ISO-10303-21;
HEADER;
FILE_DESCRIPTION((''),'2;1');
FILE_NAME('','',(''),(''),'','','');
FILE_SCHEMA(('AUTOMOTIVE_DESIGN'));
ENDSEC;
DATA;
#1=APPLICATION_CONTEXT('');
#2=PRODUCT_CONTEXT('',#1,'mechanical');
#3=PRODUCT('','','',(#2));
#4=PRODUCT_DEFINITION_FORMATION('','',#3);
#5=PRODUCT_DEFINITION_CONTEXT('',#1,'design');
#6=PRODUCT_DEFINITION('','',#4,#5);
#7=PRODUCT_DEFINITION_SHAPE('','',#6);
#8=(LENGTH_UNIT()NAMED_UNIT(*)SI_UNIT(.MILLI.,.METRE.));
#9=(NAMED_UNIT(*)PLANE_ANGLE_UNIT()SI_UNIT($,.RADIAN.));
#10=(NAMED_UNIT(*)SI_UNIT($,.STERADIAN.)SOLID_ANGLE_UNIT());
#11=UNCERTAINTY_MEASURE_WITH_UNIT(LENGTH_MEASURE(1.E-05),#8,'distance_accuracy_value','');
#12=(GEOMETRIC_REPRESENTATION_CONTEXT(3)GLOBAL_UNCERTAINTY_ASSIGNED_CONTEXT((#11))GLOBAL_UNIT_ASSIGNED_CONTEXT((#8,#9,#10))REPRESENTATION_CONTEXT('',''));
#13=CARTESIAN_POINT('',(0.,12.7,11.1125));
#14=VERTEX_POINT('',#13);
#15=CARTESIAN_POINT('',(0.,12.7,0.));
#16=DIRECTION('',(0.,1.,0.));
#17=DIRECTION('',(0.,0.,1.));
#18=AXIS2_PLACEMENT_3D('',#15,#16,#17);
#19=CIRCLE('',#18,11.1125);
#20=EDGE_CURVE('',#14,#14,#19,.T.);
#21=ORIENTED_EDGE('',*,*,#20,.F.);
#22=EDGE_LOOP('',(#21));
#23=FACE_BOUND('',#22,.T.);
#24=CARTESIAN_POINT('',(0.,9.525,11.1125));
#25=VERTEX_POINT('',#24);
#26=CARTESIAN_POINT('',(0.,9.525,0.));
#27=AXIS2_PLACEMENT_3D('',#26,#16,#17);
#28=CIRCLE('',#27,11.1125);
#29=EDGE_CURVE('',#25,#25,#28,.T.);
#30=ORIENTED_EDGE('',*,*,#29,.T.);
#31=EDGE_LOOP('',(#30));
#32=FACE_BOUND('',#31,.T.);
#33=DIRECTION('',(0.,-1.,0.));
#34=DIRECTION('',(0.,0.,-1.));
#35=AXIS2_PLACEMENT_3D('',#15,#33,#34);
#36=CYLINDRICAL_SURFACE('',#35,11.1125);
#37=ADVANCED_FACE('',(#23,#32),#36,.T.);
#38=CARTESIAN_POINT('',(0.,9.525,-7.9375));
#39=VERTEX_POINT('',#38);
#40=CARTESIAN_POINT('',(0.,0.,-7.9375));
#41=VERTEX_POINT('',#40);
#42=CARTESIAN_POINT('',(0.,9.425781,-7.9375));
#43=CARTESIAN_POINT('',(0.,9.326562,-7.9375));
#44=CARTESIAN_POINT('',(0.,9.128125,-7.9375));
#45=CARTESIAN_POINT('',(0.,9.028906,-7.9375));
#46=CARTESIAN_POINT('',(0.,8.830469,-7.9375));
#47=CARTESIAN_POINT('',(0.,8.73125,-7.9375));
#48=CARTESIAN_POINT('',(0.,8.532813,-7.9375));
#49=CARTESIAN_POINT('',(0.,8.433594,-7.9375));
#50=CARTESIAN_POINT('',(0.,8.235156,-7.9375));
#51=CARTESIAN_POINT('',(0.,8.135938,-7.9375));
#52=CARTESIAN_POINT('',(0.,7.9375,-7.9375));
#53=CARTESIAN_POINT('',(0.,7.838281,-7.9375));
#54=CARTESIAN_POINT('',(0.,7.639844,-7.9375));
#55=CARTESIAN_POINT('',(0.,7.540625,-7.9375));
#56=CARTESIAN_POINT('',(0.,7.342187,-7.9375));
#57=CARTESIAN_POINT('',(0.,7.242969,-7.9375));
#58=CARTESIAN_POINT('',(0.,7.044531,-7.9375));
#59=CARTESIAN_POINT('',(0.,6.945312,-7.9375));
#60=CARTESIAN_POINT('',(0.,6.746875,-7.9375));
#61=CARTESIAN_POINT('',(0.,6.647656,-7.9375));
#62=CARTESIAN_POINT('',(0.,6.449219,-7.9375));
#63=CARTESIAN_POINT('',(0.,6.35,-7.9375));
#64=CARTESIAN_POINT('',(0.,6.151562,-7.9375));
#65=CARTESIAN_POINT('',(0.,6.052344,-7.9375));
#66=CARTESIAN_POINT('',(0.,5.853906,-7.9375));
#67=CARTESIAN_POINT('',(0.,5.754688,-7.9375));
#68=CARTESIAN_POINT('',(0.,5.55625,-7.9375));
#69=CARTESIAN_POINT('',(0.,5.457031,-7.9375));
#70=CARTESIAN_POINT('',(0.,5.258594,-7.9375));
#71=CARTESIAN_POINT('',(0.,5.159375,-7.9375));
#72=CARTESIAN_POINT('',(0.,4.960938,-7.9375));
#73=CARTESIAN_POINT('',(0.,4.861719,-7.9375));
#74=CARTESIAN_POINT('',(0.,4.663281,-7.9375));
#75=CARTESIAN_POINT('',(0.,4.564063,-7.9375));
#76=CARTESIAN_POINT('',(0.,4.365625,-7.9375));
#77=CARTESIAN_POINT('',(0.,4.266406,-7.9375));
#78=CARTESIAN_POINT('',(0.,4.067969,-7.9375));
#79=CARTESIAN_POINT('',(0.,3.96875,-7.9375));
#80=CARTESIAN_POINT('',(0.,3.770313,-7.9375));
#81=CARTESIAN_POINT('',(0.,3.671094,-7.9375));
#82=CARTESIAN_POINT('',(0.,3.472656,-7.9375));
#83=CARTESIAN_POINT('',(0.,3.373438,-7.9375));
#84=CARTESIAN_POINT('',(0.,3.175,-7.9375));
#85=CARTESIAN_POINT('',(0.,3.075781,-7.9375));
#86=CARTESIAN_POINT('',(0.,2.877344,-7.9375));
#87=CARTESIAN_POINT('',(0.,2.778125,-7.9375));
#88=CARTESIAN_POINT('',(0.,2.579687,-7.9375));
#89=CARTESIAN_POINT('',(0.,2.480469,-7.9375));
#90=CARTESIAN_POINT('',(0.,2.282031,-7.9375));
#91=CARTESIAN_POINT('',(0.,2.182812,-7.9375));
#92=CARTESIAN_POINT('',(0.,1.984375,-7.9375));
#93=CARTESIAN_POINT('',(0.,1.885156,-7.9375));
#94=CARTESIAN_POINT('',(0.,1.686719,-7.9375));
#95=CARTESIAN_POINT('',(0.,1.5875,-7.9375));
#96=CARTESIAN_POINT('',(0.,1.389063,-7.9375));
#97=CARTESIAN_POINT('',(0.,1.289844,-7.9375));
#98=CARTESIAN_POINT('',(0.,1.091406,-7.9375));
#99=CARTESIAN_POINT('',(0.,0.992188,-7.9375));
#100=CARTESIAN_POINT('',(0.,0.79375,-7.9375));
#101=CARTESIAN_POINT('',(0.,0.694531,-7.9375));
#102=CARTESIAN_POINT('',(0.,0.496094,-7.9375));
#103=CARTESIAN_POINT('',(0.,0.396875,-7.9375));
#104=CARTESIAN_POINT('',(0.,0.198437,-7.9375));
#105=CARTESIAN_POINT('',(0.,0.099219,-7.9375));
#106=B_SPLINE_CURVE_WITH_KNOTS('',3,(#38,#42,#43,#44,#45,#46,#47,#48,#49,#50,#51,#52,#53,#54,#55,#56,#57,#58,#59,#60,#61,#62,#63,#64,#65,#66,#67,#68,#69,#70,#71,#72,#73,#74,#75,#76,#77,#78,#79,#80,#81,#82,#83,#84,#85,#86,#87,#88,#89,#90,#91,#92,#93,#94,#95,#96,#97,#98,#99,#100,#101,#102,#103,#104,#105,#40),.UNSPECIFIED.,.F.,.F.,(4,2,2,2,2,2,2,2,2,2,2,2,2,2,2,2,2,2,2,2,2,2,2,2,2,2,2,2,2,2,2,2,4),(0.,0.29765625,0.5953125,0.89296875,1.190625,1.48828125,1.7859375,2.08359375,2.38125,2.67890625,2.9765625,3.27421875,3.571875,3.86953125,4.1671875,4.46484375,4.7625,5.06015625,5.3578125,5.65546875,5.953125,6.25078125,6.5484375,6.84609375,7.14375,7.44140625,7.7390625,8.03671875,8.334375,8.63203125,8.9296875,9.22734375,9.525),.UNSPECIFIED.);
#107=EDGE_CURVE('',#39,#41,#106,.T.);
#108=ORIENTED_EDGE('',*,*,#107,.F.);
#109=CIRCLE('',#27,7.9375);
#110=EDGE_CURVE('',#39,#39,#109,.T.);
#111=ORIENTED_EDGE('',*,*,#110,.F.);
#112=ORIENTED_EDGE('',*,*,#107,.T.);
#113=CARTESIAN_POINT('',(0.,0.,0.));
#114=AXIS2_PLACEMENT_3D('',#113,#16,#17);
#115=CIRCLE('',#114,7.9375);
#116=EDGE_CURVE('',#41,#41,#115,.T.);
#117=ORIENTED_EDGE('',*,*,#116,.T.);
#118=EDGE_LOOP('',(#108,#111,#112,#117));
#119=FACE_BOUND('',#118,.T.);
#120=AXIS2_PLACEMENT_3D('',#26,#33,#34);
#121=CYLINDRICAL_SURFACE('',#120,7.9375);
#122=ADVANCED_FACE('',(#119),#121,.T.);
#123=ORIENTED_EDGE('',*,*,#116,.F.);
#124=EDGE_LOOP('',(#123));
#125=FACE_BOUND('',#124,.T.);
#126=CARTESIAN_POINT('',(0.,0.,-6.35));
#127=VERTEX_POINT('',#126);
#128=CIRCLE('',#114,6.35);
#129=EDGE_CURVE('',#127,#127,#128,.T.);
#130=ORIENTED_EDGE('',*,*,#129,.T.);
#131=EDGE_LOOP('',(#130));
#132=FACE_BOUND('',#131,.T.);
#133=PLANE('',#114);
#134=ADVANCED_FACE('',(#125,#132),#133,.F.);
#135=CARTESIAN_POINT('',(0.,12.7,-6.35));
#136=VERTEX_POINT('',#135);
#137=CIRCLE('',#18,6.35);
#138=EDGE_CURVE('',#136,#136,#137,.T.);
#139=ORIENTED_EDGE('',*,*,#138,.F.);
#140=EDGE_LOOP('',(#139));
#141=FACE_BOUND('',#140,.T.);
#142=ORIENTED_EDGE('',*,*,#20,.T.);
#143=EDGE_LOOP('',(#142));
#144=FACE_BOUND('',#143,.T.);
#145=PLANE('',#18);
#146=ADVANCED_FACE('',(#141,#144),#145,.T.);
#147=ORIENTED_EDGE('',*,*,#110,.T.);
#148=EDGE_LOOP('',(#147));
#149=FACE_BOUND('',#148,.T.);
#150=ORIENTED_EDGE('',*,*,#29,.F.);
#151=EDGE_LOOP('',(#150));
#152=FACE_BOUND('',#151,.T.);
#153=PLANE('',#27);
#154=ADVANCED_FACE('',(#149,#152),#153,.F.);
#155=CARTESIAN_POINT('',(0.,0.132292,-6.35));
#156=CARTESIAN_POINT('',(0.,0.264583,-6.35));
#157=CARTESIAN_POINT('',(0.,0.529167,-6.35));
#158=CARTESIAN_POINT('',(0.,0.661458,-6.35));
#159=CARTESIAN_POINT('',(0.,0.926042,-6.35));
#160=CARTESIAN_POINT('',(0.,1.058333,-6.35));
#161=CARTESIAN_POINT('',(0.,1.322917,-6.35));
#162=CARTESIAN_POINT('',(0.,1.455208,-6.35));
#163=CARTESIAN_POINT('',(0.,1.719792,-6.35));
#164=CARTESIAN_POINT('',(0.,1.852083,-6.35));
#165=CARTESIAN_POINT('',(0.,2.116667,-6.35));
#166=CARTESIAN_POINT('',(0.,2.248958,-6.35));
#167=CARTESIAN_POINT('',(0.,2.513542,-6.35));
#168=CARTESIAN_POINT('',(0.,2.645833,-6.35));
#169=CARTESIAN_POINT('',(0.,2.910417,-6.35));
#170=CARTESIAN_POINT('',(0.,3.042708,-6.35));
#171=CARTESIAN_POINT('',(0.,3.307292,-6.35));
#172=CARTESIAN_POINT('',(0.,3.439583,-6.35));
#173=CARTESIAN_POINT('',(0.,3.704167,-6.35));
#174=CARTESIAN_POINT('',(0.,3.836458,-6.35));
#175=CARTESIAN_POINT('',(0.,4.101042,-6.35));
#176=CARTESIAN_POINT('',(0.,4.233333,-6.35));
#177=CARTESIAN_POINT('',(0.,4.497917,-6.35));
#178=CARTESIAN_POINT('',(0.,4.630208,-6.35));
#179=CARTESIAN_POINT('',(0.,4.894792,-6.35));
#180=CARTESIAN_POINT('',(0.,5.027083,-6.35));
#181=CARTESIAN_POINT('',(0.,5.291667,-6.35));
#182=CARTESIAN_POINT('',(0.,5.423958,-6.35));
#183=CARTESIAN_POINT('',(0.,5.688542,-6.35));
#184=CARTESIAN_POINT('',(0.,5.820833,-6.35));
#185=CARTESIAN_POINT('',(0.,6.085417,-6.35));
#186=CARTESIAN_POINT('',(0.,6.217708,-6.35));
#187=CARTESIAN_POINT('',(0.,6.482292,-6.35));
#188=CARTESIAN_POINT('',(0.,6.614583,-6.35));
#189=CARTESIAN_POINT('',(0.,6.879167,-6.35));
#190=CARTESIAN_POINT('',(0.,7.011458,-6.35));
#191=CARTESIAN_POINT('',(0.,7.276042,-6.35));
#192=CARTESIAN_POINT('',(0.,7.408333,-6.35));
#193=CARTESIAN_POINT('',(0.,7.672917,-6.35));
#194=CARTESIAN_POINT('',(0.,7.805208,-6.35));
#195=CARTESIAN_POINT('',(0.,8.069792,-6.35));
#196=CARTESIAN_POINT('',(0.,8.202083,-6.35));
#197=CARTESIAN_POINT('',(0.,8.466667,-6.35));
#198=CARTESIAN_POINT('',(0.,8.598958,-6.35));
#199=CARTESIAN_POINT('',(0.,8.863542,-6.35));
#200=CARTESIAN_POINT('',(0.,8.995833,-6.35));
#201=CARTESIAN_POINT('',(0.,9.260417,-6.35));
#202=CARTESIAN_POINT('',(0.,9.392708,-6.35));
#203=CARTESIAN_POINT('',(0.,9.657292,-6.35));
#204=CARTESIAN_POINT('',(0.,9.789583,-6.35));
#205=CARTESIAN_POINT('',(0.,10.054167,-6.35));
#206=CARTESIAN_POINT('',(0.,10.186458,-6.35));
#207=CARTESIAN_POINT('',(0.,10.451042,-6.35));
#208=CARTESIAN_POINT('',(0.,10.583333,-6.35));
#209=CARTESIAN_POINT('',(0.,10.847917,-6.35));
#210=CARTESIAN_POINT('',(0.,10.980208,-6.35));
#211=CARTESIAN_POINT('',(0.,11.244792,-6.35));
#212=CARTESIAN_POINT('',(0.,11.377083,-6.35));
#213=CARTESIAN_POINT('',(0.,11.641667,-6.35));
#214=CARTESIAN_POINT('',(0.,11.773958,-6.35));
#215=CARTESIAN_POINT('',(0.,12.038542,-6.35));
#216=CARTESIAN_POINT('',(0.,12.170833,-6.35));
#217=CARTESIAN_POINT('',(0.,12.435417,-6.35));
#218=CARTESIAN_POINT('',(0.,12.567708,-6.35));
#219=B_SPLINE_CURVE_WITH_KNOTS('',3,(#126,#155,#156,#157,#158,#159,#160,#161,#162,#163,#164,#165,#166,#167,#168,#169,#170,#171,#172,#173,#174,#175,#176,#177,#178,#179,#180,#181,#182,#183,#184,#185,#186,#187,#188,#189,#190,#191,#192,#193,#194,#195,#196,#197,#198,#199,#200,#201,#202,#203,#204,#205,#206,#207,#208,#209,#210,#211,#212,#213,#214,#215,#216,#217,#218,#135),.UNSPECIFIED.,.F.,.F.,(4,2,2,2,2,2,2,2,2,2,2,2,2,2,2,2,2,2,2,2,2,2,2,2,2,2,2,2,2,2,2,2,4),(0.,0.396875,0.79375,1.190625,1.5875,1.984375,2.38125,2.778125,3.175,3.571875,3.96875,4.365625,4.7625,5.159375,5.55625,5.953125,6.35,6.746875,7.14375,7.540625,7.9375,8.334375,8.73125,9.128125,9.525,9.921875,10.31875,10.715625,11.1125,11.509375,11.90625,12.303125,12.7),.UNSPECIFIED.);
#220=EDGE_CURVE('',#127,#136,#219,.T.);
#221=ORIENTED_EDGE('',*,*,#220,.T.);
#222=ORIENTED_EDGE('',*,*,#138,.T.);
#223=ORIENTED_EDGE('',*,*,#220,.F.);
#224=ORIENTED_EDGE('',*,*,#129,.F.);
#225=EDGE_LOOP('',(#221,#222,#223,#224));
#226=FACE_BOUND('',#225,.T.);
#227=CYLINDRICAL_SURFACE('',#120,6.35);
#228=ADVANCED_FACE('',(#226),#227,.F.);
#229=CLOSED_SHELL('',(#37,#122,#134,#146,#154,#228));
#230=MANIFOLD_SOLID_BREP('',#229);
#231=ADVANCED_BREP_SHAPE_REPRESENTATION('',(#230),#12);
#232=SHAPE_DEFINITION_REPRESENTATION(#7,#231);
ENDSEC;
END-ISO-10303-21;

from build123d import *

# Parameters (mm, degrees)
SKETCH1_R           = 7.9375
SKETCH1_R_2         = 6.35
BOSS_EXTRUDE1_DEPTH = 9.525
SKETCH2_R           = 11.1125
SKETCH2_R_2         = 6.35
BOSS_EXTRUDE2_DEPTH = 3.175


with BuildPart() as part:
    # Sketch1 → Boss-Extrude1 (new body)
    with BuildSketch(Plane(origin=(0, 0, 0), x_dir=(1, 0, 0), z_dir=(0, 1, 0))):
        with Locations(Location((0, 0, 0), (0, 0, 90))):
            Circle(SKETCH1_R)
        with Locations(Location((0, 0, 0), (0, 0, 90))):
            Circle(SKETCH1_R_2, mode=Mode.SUBTRACT)
    extrude(amount=BOSS_EXTRUDE1_DEPTH)

    # Sketch2 → Boss-Extrude2 (add)
    with BuildSketch(Plane(origin=(0, 9.525, 0), x_dir=(1, 0, 0), z_dir=(0, 1, 0))):
        with Locations(Location((0, 0, 0), (0, 0, 270))):
            Circle(SKETCH2_R)
        with Locations(Location((0, 0, 0), (0, 0, 90))):
            Circle(SKETCH2_R_2, mode=Mode.SUBTRACT)
    extrude(amount=BOSS_EXTRUDE2_DEPTH)


solid = part.part
